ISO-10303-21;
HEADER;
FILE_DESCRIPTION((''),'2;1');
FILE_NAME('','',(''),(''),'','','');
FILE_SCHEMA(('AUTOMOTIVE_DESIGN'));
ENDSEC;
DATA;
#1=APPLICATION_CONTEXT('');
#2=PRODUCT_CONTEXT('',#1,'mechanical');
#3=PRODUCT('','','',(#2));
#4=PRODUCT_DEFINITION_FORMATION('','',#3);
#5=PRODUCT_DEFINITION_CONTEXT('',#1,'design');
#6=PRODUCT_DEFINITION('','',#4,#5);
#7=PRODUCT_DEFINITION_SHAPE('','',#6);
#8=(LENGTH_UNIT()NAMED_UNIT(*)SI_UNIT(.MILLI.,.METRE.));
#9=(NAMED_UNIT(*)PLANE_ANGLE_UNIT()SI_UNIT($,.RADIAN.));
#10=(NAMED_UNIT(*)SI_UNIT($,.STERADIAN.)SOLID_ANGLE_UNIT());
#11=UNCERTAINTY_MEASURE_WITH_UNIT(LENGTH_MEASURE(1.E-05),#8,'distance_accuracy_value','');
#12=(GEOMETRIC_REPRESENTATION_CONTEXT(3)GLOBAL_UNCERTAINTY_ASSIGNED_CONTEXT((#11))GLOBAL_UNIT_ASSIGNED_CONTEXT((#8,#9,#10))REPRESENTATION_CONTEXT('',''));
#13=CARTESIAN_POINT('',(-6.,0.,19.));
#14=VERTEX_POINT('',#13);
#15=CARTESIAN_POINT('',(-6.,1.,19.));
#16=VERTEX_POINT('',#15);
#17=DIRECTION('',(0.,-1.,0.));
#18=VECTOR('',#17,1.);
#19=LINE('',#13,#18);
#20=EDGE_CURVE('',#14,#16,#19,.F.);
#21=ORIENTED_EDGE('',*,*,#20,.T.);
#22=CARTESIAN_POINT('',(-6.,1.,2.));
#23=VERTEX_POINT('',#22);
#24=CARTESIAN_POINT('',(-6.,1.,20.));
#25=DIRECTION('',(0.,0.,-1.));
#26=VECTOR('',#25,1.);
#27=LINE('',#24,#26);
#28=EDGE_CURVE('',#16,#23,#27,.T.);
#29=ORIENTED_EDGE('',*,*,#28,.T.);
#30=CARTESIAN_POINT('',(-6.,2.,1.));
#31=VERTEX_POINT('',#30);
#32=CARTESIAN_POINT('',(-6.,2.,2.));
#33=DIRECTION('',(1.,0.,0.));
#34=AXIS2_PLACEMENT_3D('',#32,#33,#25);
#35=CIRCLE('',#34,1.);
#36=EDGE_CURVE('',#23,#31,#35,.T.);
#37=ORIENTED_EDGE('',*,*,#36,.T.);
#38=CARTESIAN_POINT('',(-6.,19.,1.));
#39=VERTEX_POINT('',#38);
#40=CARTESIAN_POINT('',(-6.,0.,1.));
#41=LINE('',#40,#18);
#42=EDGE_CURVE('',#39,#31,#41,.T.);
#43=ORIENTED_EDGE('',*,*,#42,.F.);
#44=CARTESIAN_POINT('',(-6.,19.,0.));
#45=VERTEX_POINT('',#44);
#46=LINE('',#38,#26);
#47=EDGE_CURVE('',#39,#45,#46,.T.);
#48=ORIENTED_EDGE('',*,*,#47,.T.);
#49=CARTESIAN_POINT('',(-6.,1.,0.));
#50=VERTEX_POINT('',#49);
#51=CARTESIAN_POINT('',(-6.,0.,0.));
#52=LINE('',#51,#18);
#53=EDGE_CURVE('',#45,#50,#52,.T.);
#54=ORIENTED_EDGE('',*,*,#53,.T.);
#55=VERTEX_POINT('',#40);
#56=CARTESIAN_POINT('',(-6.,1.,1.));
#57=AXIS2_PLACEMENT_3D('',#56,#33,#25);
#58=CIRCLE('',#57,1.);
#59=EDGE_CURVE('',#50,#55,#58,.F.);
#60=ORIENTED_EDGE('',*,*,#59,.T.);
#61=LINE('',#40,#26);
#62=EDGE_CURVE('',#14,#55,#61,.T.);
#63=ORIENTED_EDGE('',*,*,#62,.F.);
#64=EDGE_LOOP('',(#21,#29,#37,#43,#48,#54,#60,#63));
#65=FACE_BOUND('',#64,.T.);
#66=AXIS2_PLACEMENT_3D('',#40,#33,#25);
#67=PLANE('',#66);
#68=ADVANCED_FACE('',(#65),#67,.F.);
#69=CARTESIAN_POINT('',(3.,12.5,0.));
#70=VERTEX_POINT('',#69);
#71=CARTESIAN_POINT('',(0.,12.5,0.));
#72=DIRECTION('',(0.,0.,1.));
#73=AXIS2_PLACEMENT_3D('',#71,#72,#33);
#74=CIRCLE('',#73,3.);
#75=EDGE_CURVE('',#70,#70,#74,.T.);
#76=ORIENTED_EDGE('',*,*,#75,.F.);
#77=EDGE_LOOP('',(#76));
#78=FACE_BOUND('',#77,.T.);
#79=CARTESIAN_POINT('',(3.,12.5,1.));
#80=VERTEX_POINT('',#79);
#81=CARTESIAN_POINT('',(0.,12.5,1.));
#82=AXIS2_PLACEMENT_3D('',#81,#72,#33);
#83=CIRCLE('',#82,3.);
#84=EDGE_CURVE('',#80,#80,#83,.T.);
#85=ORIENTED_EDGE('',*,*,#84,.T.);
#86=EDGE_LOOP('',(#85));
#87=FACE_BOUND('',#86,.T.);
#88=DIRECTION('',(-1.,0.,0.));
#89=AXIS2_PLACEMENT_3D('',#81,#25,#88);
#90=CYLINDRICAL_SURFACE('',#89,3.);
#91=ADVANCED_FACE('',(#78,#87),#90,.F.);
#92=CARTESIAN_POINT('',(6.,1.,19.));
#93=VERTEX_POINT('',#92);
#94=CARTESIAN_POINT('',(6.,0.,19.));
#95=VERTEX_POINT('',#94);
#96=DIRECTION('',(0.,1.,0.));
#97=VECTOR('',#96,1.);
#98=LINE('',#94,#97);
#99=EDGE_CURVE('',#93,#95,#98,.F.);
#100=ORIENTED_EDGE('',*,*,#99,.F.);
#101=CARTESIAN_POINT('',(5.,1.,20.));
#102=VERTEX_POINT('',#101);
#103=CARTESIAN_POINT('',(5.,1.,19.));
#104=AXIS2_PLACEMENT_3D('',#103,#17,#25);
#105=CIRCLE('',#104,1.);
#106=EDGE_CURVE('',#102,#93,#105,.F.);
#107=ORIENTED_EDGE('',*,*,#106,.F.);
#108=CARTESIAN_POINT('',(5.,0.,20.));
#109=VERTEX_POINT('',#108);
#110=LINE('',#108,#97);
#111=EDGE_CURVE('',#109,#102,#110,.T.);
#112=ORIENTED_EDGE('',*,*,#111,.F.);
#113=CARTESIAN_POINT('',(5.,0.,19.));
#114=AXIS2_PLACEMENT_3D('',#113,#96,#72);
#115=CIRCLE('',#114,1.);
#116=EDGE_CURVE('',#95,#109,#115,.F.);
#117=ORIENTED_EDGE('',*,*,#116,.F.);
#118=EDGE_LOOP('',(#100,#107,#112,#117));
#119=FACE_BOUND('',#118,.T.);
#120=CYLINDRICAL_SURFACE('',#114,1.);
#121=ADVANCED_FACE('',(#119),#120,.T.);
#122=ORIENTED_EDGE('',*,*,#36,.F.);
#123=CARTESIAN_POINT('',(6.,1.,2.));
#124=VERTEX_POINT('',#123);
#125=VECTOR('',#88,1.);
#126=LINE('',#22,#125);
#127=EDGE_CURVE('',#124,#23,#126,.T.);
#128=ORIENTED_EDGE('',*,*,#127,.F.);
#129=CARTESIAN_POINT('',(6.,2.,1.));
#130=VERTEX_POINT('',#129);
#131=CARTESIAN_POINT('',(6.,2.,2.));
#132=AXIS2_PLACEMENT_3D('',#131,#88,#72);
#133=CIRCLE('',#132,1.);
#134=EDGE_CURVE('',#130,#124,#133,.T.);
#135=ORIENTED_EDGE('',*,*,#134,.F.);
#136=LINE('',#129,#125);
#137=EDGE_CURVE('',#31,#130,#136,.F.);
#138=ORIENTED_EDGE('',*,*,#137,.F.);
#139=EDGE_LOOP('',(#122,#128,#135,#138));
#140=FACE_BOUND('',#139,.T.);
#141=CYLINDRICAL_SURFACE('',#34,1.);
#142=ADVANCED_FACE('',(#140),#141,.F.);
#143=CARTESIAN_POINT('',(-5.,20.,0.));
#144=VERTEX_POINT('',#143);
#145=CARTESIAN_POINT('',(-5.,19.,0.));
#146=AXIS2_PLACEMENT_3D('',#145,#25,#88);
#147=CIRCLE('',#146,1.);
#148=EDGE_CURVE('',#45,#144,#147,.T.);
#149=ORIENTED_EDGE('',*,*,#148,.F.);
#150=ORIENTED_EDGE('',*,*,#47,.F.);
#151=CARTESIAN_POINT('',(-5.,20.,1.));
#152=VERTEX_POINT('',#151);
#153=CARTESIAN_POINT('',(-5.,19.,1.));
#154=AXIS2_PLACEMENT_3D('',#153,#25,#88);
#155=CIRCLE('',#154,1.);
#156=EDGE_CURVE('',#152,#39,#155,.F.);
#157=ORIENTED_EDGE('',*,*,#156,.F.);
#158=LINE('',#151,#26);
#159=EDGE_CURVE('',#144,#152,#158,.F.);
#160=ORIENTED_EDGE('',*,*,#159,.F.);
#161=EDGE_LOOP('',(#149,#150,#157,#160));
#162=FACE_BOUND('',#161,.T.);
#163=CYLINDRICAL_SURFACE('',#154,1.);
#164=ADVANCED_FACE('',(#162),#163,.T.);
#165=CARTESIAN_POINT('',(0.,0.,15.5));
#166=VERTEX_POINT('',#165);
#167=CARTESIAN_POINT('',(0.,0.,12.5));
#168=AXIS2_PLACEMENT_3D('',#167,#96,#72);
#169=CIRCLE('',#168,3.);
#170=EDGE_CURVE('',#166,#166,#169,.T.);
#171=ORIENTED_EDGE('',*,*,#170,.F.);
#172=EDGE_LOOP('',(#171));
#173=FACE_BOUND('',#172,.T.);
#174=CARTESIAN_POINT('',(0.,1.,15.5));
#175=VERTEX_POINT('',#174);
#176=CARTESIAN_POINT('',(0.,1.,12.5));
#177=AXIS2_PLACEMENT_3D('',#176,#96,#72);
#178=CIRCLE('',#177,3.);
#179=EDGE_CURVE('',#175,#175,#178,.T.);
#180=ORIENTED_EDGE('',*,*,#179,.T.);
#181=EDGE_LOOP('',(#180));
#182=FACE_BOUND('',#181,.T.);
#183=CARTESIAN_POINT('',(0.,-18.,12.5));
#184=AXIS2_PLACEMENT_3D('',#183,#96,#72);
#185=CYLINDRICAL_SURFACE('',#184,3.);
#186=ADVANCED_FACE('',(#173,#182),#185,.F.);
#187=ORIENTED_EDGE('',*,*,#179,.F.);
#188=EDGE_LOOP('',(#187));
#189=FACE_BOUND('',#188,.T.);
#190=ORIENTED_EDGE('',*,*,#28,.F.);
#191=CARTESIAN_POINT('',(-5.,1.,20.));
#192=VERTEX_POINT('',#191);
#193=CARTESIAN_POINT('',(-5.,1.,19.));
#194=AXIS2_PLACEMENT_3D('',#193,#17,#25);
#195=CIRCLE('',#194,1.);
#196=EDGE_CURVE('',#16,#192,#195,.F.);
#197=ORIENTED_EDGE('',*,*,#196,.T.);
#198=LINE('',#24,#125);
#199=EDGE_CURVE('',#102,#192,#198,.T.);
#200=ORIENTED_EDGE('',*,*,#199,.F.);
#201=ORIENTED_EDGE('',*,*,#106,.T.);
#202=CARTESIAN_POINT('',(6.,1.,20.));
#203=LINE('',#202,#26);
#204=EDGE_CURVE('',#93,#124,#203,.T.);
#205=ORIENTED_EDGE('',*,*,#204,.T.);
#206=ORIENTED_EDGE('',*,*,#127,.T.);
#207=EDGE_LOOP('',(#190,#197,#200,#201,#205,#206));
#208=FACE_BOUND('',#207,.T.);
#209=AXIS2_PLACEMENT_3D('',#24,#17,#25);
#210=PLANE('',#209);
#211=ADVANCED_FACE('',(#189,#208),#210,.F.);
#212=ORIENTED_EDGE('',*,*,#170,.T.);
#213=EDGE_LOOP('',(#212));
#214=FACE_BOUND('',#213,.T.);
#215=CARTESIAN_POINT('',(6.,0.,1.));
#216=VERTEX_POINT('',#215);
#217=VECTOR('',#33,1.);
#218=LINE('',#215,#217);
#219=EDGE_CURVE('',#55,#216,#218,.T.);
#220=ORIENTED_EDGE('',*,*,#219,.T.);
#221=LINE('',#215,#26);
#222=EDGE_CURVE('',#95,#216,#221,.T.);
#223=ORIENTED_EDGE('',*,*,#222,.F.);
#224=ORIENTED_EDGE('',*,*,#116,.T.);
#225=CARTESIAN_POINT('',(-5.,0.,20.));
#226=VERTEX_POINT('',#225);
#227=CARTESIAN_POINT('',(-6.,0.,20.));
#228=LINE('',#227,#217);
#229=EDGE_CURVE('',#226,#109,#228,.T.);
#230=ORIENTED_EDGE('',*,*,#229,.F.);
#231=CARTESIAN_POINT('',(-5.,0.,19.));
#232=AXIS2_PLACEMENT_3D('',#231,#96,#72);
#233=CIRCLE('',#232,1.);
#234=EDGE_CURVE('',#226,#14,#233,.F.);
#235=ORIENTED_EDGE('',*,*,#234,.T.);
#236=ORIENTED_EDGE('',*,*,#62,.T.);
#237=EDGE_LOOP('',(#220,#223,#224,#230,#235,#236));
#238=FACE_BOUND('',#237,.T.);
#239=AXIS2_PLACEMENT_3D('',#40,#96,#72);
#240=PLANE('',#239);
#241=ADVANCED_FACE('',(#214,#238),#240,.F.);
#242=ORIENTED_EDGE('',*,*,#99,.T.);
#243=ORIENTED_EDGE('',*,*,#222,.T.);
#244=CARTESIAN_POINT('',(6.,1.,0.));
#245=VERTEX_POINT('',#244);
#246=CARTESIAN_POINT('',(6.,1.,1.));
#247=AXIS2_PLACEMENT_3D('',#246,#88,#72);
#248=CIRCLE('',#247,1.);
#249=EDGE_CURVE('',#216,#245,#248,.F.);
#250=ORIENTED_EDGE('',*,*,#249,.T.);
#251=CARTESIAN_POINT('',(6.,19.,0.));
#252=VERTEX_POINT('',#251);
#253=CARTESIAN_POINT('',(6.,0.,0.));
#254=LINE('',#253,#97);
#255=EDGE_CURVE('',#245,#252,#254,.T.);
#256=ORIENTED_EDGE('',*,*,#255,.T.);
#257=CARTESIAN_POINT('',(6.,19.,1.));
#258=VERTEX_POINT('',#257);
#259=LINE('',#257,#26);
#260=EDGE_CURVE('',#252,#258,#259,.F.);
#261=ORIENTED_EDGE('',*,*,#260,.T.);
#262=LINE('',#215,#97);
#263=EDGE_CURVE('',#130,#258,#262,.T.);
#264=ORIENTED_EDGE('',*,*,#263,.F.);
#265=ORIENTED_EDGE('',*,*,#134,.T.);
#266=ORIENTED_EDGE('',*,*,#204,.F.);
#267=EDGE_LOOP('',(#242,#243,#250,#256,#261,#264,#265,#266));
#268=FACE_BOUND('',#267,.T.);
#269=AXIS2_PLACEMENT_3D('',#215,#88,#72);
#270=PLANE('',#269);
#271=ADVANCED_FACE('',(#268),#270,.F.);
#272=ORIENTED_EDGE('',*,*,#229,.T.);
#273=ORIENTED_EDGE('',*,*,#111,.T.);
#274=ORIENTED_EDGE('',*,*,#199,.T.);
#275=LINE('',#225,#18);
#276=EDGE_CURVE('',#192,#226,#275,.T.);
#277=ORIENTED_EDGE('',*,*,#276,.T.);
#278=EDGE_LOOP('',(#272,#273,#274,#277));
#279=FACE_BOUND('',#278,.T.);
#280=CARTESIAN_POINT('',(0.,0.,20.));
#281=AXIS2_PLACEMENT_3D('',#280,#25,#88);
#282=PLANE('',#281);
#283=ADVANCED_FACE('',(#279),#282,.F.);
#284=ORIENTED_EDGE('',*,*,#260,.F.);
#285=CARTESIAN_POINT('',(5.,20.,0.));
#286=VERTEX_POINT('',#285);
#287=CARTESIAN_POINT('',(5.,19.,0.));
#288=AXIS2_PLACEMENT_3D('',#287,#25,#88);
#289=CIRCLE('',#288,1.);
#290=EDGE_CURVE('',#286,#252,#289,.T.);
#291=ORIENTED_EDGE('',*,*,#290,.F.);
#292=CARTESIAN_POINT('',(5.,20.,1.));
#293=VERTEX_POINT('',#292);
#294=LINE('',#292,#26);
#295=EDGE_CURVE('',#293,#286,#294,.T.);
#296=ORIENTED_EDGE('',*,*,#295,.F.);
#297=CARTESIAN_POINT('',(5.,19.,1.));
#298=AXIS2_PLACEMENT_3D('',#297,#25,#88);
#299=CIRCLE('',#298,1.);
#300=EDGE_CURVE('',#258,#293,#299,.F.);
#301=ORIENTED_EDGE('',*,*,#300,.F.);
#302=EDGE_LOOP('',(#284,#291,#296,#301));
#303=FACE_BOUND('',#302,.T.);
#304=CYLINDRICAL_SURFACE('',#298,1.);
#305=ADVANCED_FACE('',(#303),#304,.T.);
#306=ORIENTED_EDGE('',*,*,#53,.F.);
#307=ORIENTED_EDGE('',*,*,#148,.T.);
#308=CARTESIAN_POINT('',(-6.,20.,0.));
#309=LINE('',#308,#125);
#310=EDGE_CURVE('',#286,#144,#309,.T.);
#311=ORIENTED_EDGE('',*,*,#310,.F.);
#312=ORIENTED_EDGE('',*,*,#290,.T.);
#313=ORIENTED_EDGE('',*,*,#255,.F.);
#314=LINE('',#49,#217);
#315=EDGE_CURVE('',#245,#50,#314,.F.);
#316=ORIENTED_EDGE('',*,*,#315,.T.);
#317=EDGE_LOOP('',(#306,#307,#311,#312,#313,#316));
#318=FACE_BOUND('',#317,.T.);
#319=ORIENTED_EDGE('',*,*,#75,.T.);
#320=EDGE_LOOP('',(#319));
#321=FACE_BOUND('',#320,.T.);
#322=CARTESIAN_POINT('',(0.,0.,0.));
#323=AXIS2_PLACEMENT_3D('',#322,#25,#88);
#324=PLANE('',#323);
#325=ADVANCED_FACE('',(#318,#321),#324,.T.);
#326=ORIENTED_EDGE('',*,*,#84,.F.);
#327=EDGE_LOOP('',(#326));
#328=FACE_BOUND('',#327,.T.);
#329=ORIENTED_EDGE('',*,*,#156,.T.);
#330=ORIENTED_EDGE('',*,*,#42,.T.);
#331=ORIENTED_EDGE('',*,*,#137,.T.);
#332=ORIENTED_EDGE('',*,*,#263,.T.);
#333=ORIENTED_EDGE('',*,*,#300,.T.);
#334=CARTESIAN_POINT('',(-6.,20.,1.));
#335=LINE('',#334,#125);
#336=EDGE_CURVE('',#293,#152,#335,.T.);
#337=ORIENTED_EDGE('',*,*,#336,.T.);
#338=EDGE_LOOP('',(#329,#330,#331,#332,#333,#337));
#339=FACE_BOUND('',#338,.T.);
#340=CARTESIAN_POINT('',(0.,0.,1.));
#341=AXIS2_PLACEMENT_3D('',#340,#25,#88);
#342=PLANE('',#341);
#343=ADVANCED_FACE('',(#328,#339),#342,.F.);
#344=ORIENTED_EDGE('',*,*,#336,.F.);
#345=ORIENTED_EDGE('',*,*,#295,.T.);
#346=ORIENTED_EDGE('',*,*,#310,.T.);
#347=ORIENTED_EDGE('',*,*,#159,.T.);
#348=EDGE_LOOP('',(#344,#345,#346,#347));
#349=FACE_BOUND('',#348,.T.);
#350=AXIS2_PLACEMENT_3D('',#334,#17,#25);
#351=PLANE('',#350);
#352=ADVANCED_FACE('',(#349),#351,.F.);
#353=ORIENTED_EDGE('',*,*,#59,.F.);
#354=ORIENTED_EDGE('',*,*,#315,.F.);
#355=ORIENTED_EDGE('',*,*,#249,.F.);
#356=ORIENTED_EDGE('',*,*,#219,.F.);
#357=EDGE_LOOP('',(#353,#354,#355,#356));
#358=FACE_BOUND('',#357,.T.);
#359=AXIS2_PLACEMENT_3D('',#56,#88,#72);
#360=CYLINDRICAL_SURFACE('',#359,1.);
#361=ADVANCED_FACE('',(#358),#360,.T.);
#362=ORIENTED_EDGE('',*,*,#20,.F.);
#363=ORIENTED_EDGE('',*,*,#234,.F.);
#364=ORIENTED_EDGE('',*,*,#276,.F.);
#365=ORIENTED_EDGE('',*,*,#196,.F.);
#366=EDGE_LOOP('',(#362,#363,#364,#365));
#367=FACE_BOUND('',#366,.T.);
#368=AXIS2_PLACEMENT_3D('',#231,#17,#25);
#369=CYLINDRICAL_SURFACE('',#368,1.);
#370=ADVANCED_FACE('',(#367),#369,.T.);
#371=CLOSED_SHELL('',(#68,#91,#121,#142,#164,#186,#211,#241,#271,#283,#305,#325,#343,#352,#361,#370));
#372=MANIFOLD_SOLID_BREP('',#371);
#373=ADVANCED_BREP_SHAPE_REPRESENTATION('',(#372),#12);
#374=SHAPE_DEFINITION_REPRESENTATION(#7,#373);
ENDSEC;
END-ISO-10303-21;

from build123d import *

# Parameters (mm, degrees)
ESQUISSE1_W             = 12
ESQUISSE1_H             = 20
ESQUISSE1_R             = 3
BOSS_EXTRU_1_DEPTH      = 1
ESQUISSE2_W             = 12
ESQUISSE2_H             = 1
BOSS_EXTRU_2_DEPTH      = 19
ESQUISSE3_R             = 3
ENL_V_MAT_EXTRU_1_DEPTH = 19
CONG_1_R                = 1
CONG_2_R                = 1


with BuildPart() as part:
    # Esquisse1 → Boss.-Extru.1 (new body)
    with BuildSketch(Plane.XY):
        with Locations((0, 10)):
            Rectangle(ESQUISSE1_W, ESQUISSE1_H)
        with Locations((0, 12.5)):
            Circle(ESQUISSE1_R, mode=Mode.SUBTRACT)
    extrude(amount=BOSS_EXTRU_1_DEPTH)

    # Esquisse2 → Boss.-Extru.2 (add)
    with BuildSketch(Plane.XY.offset(1)):
        with Locations((0, 0.5)):
            Rectangle(ESQUISSE2_W, ESQUISSE2_H)
    extrude(amount=BOSS_EXTRU_2_DEPTH)

    # Esquisse3 → Enlèv. mat.-Extru.1 (cut)
    with BuildSketch(Plane(origin=(0, 1, 0), x_dir=(1, 0, 0), z_dir=(0, 1, 0))):
        with Locations(Location((0, -12.5, 0), (0, 0, 270))):
            Circle(ESQUISSE3_R)
    extrude(amount=-ENL_V_MAT_EXTRU_1_DEPTH, mode=Mode.SUBTRACT)

    # Congé1
    cong_1_edges = [part.edges().sort_by_distance(p)[0] for p in [
        (0, 1, 1),
        (0, 0, 0),
    ]]
    fillet(cong_1_edges, radius=CONG_1_R)

    # Congé2
    cong_2_edges = [part.edges().sort_by_distance(p)[0] for p in [
        (-6, 0.5, 20),
        (6, 0.5, 20),
        (-6, 20, 0.5),
        (6, 20, 0.5),
    ]]
    fillet(cong_2_edges, radius=CONG_2_R)


solid = part.part
